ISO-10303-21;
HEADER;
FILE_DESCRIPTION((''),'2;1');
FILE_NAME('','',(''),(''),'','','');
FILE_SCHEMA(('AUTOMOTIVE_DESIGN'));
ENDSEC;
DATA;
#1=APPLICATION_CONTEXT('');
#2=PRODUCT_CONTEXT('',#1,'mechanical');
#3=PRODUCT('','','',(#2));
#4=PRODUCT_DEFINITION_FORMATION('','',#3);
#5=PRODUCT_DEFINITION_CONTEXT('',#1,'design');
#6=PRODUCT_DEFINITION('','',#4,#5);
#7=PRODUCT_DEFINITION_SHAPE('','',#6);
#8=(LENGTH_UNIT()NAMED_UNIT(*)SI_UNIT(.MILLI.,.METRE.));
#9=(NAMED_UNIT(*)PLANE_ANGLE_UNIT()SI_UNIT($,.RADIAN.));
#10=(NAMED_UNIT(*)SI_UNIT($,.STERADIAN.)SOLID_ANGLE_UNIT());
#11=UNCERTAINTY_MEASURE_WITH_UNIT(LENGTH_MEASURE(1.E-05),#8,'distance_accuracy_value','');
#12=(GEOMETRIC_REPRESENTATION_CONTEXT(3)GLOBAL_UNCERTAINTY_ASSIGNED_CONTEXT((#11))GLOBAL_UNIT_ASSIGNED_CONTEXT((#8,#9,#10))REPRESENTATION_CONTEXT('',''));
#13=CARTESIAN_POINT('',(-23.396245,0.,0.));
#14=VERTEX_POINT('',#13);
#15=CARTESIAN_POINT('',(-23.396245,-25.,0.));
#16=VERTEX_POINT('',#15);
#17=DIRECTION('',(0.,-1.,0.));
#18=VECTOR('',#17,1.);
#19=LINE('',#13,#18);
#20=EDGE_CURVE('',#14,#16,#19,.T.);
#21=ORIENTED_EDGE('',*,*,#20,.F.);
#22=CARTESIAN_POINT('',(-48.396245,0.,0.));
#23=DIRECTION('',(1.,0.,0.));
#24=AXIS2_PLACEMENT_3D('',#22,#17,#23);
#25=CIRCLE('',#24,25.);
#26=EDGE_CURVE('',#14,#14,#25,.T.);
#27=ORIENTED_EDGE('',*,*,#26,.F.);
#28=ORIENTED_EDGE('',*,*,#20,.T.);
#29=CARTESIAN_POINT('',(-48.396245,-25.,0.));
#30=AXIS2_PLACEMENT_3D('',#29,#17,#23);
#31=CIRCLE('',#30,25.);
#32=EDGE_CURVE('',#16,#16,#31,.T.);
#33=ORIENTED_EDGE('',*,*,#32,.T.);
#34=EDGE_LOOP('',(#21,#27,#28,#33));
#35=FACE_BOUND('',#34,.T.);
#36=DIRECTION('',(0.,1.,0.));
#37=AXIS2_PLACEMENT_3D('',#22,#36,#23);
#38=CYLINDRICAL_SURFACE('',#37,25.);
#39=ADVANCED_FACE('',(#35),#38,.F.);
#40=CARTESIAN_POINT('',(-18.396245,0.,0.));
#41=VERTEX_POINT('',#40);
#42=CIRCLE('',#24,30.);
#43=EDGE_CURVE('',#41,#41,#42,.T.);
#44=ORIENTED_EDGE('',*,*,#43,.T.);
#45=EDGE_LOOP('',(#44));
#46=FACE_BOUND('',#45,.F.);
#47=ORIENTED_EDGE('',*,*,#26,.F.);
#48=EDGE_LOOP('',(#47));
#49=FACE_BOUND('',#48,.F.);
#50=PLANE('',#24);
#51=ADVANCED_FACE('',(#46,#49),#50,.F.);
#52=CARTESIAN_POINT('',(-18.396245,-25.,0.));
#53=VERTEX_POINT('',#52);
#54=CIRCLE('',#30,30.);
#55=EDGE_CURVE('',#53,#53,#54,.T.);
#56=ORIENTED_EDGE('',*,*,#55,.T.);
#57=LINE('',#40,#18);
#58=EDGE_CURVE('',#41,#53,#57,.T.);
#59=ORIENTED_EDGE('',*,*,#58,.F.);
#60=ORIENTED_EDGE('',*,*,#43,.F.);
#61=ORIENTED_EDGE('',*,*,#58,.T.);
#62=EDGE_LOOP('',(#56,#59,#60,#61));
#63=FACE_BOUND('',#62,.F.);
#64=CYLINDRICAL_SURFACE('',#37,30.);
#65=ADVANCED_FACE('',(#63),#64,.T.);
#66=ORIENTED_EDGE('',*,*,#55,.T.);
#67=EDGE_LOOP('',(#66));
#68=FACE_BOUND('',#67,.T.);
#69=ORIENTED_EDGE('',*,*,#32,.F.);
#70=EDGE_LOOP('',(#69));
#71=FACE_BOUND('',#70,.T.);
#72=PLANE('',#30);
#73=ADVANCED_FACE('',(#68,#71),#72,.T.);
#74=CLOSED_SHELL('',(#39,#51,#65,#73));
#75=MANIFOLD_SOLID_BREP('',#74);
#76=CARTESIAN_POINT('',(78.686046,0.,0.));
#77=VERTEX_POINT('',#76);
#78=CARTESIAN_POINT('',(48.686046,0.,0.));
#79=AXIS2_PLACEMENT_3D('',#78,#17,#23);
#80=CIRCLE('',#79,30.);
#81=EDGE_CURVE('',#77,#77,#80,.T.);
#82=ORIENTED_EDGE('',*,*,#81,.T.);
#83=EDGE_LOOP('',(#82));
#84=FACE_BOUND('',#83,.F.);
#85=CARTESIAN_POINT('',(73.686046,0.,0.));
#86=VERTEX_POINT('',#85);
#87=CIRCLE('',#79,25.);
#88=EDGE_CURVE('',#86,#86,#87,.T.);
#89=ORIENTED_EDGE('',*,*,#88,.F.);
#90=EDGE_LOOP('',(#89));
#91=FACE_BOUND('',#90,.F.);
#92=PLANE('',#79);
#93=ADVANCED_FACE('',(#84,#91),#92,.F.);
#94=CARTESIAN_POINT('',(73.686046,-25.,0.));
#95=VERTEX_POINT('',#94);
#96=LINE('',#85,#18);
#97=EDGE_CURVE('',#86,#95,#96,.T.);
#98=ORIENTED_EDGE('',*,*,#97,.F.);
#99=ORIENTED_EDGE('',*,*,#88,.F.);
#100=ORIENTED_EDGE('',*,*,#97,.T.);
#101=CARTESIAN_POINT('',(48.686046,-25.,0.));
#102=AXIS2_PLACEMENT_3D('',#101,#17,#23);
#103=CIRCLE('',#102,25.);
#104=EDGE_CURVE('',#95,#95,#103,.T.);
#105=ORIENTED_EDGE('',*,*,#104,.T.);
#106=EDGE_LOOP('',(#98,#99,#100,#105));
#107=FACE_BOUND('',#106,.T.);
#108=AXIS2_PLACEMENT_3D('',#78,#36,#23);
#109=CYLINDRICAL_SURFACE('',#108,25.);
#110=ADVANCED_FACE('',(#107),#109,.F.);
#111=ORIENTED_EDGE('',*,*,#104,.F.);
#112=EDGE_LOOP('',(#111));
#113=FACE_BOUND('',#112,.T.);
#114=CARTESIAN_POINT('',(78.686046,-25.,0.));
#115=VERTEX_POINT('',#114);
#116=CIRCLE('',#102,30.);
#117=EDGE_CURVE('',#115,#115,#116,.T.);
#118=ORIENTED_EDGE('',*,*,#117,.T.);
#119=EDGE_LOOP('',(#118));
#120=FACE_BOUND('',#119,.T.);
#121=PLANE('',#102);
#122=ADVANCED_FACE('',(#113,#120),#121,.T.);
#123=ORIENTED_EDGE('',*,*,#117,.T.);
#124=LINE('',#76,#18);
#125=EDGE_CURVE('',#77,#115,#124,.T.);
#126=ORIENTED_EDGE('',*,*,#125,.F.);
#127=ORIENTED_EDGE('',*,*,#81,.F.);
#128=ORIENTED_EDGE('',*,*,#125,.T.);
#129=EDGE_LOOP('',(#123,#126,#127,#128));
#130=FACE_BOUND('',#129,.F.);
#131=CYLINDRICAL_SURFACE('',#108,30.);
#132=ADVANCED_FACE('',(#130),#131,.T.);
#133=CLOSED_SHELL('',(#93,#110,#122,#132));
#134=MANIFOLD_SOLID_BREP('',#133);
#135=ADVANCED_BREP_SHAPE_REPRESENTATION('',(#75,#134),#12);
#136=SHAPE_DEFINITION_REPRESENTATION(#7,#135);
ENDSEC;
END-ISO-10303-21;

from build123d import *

# Parameters (mm, degrees)
F0_R     = 30
F0_R_2   = 25
F1_DEPTH = 25


with BuildPart() as f1:
    # F0 (on Front) → F1 (new body)
    with BuildSketch(Plane.XZ):
        with Locations((-48.396245, 0)):
            Circle(F0_R)
        with Locations((-48.396245, 0)):
            Circle(F0_R_2, mode=Mode.SUBTRACT)
        with Locations((48.686046, 0)):
            Circle(F0_R)
        with Locations((48.686046, 0)):
            Circle(F0_R_2, mode=Mode.SUBTRACT)
    extrude(amount=F1_DEPTH)


solid = f1.part
